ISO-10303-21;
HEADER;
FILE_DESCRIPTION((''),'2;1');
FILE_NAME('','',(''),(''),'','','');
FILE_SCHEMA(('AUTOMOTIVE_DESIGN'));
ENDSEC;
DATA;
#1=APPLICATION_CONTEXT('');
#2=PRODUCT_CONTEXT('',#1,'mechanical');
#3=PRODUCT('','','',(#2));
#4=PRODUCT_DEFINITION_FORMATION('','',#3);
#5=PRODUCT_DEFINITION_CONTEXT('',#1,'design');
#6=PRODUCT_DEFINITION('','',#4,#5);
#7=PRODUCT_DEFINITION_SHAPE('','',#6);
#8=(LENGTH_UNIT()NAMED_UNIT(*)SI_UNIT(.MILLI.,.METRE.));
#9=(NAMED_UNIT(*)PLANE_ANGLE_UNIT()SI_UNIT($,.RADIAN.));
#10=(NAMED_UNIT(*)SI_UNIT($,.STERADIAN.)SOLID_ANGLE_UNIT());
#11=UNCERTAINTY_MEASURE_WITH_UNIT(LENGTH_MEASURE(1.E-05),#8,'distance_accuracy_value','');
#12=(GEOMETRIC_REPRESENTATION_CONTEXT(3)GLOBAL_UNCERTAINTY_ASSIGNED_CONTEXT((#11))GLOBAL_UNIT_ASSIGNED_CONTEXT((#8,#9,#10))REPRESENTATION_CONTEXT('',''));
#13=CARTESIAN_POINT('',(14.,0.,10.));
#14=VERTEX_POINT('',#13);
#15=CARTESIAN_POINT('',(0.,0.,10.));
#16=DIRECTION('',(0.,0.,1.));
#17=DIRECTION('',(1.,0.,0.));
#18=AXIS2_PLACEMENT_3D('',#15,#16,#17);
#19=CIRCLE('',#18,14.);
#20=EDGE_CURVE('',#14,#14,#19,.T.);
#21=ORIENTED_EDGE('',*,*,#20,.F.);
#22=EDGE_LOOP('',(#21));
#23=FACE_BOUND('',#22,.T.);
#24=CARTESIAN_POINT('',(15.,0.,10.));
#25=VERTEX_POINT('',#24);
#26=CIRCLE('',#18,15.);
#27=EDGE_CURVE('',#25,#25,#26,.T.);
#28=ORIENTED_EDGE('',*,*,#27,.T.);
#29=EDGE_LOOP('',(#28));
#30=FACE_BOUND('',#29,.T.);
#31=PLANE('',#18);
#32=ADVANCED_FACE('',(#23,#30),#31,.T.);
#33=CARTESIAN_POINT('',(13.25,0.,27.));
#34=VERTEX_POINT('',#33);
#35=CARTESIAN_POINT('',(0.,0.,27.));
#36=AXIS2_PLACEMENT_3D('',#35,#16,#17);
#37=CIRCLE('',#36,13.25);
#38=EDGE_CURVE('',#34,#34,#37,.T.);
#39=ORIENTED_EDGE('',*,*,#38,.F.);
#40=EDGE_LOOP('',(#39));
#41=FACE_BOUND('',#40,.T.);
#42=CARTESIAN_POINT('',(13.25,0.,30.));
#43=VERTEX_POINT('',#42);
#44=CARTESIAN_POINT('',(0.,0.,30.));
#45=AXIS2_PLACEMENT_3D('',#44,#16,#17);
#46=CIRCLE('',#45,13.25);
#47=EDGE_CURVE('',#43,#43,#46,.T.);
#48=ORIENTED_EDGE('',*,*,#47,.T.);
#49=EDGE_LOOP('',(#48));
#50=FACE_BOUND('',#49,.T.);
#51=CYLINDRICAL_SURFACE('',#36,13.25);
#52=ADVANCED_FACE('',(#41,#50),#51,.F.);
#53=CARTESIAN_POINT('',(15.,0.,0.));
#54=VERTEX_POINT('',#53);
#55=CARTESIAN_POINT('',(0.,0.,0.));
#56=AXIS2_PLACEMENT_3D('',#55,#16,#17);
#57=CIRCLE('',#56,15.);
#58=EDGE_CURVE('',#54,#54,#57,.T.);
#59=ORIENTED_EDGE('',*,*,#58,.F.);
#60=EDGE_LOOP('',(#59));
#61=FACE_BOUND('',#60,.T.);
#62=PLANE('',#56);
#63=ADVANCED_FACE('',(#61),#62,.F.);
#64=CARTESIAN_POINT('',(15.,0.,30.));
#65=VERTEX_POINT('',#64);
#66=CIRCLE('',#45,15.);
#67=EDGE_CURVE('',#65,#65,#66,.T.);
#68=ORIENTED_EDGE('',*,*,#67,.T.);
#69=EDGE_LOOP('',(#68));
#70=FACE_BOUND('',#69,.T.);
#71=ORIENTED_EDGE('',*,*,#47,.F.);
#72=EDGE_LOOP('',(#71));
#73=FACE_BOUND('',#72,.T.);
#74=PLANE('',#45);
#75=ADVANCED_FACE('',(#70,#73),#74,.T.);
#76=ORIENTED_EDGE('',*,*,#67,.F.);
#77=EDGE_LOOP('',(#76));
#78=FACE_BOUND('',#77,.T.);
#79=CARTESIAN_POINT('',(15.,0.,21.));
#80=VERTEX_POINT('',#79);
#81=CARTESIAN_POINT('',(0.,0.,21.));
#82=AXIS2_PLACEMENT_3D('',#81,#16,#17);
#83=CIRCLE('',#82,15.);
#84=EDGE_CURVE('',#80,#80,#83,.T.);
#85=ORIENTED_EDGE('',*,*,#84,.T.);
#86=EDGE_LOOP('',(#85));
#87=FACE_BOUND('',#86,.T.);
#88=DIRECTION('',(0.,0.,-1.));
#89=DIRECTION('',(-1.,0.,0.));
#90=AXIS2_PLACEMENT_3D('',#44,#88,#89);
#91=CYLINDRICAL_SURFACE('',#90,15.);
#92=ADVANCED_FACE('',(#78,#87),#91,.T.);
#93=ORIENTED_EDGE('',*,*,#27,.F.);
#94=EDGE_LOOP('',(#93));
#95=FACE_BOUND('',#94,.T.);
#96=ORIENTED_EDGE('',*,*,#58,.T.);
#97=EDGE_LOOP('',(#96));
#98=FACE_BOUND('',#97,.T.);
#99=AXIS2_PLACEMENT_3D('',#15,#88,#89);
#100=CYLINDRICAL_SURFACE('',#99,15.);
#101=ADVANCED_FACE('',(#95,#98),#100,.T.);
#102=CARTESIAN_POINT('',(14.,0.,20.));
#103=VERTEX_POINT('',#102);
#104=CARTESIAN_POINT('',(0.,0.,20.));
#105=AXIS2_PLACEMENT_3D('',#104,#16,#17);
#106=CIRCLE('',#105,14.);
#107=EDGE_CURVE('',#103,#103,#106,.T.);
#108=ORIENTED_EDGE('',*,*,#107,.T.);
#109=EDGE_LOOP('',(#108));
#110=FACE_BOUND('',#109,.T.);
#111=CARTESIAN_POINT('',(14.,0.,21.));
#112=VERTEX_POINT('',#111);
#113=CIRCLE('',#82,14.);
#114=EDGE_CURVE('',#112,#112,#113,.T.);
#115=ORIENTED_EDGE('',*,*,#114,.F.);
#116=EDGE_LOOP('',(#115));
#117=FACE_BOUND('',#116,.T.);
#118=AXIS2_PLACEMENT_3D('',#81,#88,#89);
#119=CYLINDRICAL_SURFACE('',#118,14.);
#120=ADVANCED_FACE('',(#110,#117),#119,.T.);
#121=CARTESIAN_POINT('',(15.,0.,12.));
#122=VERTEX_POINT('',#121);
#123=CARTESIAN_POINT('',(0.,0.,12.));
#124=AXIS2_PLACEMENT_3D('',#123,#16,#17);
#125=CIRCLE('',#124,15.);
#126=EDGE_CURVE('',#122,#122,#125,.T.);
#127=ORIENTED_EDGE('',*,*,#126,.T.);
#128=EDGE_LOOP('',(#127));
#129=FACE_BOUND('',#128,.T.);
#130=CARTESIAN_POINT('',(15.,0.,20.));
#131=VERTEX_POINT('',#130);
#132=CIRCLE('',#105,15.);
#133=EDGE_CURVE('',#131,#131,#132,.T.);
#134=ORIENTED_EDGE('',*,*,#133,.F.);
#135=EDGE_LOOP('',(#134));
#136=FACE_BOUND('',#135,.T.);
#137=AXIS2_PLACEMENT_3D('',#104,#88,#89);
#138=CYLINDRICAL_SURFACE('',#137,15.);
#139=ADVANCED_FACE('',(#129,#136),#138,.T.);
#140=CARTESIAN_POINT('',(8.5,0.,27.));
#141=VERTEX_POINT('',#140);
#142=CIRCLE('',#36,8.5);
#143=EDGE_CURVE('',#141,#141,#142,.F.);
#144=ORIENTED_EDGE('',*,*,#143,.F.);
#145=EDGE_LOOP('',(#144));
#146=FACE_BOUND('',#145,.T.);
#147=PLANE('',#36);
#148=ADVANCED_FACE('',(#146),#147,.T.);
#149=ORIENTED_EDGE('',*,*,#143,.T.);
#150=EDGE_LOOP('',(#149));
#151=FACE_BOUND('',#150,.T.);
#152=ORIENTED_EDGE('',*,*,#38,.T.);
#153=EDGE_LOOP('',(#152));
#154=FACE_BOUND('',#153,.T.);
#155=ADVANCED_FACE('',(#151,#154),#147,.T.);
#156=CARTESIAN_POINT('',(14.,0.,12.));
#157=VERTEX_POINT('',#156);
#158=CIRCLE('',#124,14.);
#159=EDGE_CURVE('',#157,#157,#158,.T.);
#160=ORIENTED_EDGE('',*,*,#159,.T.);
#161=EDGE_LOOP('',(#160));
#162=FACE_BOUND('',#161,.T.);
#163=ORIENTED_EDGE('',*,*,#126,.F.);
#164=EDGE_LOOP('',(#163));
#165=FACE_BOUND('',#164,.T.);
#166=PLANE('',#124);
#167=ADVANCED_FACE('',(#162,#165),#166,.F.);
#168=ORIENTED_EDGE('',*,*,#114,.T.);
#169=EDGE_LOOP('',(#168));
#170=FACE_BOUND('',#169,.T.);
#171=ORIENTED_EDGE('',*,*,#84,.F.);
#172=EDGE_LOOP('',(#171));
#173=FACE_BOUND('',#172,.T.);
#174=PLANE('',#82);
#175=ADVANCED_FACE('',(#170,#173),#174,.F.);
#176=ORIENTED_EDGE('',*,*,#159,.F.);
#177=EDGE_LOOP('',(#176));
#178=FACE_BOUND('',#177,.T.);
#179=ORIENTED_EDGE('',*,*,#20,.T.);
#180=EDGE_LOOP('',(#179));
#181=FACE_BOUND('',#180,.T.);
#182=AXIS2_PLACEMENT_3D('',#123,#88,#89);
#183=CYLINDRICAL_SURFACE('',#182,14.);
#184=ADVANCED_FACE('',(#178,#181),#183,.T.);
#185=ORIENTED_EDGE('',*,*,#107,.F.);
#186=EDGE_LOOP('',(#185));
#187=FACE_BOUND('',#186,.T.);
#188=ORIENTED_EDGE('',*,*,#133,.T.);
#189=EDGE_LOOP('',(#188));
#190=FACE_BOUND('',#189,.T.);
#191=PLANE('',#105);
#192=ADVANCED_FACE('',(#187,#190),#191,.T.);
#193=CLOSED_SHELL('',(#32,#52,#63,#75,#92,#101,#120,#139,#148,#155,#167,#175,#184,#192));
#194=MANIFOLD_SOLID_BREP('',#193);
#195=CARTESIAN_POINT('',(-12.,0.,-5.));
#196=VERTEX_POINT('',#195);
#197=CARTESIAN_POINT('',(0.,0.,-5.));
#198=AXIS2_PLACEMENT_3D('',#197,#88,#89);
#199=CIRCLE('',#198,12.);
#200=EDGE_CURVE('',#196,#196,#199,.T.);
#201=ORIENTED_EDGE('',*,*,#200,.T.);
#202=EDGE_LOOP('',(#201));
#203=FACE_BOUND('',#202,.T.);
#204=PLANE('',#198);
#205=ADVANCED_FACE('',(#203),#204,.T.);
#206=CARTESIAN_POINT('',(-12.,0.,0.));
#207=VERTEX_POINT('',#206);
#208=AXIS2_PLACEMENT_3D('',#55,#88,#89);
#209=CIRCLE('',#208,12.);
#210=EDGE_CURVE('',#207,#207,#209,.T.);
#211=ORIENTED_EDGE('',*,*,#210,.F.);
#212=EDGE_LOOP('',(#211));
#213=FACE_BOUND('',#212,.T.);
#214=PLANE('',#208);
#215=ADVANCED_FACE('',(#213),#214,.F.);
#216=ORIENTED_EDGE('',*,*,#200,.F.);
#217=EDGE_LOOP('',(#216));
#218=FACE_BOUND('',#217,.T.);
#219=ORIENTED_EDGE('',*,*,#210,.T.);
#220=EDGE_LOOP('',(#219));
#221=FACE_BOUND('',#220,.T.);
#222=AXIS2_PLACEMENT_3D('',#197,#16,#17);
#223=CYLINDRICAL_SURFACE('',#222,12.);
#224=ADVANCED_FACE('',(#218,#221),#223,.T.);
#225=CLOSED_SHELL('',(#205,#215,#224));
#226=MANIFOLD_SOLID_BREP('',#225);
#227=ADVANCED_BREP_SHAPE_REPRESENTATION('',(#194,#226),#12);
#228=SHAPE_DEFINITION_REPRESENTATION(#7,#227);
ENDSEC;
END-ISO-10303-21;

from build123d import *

# Parameters (mm, degrees)
SKETCH1_R           = 15
BASE_DEPTH          = 10
SKETCH2_R           = 14
BOSS_EXTRUDE2_DEPTH = 2
SKETCH3_R           = 15
BOSS_EXTRUDE3_DEPTH = 8
SKETCH4_R           = 14
BOSS_EXTRUDE4_DEPTH = 1
SKETCH5_R           = 15
BOSS_EXTRUDE5_DEPTH = 9
SKETCH6_R           = 13.25
CUT_EXTRUDE1_DEPTH  = 3
SKETCH8_R           = 12
BOSS_EXTRUDE6_DEPTH = 5


with BuildPart() as part:
    # Sketch1 → Base (new body)
    with BuildSketch(Plane.XY):
        Circle(SKETCH1_R)
    extrude(amount=BASE_DEPTH)

    # Sketch2 → Boss-Extrude2 (add)
    with BuildSketch(Plane.XY.offset(10)):
        Circle(SKETCH2_R)
    extrude(amount=BOSS_EXTRUDE2_DEPTH)

    # Sketch3 → Boss-Extrude3 (add)
    with BuildSketch(Plane.XY.offset(12)):
        Circle(SKETCH3_R)
    extrude(amount=BOSS_EXTRUDE3_DEPTH)

    # Sketch4 → Boss-Extrude4 (add)
    with BuildSketch(Plane.XY.offset(20)):
        Circle(SKETCH4_R)
    extrude(amount=BOSS_EXTRUDE4_DEPTH)

    # Sketch5 → Boss-Extrude5 (add)
    with BuildSketch(Plane.XY.offset(21)):
        Circle(SKETCH5_R)
    extrude(amount=BOSS_EXTRUDE5_DEPTH)

    # Sketch6 → Cut-Extrude1 (cut)
    with BuildSketch(Plane.XY.offset(30)):
        Circle(SKETCH6_R)
    extrude(amount=-CUT_EXTRUDE1_DEPTH, mode=Mode.SUBTRACT)


with BuildPart() as body_2:
    # Sketch8 → Boss-Extrude6 (new body)
    with BuildSketch(Plane(origin=(0, 0, 0), x_dir=(-1, 0, 0), z_dir=(0, 0, -1))):
        Circle(SKETCH8_R)
    extrude(amount=BOSS_EXTRUDE6_DEPTH)


solid = Compound([part.part, body_2.part])
